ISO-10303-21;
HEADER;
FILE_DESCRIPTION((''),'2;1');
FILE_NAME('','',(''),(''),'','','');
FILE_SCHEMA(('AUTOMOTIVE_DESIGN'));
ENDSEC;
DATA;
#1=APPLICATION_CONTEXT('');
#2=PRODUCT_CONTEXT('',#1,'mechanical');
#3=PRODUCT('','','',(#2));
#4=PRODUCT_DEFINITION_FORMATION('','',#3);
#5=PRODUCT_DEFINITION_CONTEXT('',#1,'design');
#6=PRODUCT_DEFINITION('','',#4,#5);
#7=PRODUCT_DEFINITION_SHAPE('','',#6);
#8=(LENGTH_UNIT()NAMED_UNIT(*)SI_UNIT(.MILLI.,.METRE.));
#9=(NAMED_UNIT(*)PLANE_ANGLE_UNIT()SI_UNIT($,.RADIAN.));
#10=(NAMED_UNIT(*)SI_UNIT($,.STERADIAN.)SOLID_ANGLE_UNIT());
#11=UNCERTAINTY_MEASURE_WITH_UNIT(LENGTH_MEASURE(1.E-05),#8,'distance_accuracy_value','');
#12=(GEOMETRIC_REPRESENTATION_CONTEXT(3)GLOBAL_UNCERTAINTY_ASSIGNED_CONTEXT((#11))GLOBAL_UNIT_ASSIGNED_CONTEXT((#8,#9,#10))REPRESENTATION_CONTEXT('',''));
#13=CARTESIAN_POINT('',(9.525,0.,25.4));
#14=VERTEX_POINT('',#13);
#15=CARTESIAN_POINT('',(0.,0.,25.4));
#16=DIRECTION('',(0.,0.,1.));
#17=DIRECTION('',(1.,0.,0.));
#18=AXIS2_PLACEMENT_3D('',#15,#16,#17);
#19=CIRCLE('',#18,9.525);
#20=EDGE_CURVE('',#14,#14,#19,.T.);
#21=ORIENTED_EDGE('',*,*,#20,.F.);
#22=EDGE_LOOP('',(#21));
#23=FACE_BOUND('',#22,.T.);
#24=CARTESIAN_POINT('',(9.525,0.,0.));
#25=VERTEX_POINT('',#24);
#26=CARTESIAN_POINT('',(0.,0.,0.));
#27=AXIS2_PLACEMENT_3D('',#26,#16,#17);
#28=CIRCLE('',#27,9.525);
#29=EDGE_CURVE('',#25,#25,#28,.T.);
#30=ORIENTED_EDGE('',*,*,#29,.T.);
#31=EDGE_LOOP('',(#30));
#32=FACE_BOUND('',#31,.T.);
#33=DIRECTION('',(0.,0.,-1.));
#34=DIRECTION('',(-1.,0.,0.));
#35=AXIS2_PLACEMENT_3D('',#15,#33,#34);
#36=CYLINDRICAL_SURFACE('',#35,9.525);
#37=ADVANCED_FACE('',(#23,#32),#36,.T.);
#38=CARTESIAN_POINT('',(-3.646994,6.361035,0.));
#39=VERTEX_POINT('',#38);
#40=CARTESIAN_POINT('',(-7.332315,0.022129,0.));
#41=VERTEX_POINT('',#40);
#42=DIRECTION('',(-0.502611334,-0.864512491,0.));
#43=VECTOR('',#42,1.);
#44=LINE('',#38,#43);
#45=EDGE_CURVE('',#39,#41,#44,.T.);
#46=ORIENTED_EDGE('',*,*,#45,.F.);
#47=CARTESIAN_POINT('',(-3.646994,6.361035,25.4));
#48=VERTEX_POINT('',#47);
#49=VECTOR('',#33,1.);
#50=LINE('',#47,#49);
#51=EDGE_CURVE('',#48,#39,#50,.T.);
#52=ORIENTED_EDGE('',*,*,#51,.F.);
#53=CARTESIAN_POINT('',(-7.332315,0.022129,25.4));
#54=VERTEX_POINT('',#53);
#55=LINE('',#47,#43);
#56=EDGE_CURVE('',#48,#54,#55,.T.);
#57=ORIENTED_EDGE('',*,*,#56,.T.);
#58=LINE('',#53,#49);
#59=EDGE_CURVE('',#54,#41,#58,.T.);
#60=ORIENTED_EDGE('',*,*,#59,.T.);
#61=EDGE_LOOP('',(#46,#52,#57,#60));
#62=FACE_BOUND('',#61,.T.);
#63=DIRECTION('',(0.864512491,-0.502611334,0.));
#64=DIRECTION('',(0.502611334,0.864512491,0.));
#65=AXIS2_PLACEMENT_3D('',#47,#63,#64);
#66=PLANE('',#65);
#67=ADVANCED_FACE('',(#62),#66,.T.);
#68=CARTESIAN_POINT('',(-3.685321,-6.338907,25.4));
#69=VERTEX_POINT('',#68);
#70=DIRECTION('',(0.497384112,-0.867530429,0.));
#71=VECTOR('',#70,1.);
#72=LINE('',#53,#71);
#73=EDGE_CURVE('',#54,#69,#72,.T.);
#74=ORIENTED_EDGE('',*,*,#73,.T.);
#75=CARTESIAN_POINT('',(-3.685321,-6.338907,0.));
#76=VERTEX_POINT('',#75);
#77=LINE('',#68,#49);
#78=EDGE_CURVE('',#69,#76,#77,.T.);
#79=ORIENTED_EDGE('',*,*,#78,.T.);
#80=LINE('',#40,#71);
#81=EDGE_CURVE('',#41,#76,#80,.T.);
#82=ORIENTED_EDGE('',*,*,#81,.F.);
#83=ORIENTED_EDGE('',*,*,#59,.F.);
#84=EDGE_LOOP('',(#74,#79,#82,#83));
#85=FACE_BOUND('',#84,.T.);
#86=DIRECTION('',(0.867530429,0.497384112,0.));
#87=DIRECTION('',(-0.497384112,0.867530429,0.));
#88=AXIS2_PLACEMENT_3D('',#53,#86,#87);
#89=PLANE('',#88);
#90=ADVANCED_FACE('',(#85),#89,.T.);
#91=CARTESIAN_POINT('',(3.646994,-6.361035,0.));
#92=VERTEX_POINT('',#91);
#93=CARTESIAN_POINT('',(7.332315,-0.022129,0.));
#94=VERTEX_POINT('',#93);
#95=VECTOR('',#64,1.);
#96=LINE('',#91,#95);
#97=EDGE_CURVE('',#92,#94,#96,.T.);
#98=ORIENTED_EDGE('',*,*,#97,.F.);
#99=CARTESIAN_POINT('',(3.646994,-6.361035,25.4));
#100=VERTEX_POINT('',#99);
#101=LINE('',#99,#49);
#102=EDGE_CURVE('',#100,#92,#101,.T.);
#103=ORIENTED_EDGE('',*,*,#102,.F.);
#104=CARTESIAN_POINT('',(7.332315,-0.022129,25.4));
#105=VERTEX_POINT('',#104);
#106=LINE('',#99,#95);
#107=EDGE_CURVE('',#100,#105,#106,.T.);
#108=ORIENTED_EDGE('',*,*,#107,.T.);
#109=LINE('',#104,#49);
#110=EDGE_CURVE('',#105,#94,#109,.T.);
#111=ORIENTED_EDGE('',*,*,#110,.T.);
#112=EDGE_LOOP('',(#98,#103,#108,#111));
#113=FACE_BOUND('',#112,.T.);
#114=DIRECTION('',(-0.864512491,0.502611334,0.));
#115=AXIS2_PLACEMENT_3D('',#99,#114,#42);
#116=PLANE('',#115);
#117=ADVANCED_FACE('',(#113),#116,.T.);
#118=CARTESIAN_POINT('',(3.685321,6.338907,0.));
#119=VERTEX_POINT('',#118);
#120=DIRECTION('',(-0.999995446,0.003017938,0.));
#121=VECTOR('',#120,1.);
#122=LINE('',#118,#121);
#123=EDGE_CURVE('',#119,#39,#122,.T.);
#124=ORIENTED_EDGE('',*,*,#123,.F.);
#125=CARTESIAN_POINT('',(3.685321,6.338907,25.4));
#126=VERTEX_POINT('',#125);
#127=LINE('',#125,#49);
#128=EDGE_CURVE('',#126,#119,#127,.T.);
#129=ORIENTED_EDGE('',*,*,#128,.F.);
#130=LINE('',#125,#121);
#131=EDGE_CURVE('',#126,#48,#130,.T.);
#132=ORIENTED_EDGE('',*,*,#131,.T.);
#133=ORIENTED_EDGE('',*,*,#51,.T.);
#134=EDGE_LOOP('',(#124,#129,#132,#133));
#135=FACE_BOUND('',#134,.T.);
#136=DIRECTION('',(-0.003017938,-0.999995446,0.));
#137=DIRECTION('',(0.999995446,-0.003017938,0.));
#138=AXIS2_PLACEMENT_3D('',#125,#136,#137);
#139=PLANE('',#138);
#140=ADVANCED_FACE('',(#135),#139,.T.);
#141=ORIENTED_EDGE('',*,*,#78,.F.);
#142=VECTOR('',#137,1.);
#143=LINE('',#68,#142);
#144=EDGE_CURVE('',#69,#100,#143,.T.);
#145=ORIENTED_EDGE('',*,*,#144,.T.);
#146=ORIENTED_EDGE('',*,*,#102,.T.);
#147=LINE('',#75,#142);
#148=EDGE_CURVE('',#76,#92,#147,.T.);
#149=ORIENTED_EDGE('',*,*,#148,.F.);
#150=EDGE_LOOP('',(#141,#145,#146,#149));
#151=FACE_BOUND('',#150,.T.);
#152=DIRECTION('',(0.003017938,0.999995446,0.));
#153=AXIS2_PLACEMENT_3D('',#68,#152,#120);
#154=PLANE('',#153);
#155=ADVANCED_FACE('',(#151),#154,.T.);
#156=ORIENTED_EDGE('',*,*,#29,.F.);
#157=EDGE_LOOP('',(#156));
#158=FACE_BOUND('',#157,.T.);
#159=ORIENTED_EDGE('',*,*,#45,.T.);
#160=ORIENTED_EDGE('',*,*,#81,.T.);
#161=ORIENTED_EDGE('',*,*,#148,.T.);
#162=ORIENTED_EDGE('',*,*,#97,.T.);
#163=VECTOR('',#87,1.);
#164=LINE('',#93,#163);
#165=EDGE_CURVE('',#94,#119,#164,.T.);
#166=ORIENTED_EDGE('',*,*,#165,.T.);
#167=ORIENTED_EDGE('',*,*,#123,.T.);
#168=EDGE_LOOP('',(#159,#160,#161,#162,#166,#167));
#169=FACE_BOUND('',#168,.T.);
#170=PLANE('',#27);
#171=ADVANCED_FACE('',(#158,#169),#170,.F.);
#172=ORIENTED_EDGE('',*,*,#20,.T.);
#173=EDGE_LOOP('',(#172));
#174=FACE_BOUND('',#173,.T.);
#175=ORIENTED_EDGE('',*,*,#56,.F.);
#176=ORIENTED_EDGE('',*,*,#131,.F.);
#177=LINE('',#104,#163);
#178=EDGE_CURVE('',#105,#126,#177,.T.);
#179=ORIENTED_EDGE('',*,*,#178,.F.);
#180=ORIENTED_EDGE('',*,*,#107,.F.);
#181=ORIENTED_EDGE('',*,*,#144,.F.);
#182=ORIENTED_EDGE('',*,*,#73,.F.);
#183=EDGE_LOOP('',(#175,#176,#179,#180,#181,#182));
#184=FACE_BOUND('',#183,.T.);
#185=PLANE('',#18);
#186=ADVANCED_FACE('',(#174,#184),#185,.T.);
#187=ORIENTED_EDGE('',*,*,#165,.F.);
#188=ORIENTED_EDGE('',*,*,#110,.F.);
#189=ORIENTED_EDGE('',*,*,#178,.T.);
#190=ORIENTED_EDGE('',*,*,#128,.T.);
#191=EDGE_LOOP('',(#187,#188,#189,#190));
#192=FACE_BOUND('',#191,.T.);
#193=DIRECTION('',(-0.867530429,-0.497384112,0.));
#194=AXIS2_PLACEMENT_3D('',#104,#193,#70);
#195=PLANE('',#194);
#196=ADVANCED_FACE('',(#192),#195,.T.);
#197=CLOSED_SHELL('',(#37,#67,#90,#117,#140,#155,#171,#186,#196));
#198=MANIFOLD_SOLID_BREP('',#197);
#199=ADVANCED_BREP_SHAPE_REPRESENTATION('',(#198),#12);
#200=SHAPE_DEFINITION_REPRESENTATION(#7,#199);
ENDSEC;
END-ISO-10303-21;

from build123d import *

# Parameters (mm, degrees)
SKETCH1_R           = 9.525
BOSS_EXTRUDE1_DEPTH = 25.4


with BuildPart() as part:
    # Sketch1 → Boss-Extrude1 (new body)
    with BuildSketch(Plane.XY):
        Circle(SKETCH1_R)
        Polygon((3.64699361, -6.361035367), (7.332315027, -0.022128569), (3.685321417, 6.338906797), (-3.64699361, 6.361035367), (-7.332315027, 0.022128569), (-3.685321417, -6.338906797), align=None, mode=Mode.SUBTRACT)
    extrude(amount=BOSS_EXTRUDE1_DEPTH)


solid = part.part
